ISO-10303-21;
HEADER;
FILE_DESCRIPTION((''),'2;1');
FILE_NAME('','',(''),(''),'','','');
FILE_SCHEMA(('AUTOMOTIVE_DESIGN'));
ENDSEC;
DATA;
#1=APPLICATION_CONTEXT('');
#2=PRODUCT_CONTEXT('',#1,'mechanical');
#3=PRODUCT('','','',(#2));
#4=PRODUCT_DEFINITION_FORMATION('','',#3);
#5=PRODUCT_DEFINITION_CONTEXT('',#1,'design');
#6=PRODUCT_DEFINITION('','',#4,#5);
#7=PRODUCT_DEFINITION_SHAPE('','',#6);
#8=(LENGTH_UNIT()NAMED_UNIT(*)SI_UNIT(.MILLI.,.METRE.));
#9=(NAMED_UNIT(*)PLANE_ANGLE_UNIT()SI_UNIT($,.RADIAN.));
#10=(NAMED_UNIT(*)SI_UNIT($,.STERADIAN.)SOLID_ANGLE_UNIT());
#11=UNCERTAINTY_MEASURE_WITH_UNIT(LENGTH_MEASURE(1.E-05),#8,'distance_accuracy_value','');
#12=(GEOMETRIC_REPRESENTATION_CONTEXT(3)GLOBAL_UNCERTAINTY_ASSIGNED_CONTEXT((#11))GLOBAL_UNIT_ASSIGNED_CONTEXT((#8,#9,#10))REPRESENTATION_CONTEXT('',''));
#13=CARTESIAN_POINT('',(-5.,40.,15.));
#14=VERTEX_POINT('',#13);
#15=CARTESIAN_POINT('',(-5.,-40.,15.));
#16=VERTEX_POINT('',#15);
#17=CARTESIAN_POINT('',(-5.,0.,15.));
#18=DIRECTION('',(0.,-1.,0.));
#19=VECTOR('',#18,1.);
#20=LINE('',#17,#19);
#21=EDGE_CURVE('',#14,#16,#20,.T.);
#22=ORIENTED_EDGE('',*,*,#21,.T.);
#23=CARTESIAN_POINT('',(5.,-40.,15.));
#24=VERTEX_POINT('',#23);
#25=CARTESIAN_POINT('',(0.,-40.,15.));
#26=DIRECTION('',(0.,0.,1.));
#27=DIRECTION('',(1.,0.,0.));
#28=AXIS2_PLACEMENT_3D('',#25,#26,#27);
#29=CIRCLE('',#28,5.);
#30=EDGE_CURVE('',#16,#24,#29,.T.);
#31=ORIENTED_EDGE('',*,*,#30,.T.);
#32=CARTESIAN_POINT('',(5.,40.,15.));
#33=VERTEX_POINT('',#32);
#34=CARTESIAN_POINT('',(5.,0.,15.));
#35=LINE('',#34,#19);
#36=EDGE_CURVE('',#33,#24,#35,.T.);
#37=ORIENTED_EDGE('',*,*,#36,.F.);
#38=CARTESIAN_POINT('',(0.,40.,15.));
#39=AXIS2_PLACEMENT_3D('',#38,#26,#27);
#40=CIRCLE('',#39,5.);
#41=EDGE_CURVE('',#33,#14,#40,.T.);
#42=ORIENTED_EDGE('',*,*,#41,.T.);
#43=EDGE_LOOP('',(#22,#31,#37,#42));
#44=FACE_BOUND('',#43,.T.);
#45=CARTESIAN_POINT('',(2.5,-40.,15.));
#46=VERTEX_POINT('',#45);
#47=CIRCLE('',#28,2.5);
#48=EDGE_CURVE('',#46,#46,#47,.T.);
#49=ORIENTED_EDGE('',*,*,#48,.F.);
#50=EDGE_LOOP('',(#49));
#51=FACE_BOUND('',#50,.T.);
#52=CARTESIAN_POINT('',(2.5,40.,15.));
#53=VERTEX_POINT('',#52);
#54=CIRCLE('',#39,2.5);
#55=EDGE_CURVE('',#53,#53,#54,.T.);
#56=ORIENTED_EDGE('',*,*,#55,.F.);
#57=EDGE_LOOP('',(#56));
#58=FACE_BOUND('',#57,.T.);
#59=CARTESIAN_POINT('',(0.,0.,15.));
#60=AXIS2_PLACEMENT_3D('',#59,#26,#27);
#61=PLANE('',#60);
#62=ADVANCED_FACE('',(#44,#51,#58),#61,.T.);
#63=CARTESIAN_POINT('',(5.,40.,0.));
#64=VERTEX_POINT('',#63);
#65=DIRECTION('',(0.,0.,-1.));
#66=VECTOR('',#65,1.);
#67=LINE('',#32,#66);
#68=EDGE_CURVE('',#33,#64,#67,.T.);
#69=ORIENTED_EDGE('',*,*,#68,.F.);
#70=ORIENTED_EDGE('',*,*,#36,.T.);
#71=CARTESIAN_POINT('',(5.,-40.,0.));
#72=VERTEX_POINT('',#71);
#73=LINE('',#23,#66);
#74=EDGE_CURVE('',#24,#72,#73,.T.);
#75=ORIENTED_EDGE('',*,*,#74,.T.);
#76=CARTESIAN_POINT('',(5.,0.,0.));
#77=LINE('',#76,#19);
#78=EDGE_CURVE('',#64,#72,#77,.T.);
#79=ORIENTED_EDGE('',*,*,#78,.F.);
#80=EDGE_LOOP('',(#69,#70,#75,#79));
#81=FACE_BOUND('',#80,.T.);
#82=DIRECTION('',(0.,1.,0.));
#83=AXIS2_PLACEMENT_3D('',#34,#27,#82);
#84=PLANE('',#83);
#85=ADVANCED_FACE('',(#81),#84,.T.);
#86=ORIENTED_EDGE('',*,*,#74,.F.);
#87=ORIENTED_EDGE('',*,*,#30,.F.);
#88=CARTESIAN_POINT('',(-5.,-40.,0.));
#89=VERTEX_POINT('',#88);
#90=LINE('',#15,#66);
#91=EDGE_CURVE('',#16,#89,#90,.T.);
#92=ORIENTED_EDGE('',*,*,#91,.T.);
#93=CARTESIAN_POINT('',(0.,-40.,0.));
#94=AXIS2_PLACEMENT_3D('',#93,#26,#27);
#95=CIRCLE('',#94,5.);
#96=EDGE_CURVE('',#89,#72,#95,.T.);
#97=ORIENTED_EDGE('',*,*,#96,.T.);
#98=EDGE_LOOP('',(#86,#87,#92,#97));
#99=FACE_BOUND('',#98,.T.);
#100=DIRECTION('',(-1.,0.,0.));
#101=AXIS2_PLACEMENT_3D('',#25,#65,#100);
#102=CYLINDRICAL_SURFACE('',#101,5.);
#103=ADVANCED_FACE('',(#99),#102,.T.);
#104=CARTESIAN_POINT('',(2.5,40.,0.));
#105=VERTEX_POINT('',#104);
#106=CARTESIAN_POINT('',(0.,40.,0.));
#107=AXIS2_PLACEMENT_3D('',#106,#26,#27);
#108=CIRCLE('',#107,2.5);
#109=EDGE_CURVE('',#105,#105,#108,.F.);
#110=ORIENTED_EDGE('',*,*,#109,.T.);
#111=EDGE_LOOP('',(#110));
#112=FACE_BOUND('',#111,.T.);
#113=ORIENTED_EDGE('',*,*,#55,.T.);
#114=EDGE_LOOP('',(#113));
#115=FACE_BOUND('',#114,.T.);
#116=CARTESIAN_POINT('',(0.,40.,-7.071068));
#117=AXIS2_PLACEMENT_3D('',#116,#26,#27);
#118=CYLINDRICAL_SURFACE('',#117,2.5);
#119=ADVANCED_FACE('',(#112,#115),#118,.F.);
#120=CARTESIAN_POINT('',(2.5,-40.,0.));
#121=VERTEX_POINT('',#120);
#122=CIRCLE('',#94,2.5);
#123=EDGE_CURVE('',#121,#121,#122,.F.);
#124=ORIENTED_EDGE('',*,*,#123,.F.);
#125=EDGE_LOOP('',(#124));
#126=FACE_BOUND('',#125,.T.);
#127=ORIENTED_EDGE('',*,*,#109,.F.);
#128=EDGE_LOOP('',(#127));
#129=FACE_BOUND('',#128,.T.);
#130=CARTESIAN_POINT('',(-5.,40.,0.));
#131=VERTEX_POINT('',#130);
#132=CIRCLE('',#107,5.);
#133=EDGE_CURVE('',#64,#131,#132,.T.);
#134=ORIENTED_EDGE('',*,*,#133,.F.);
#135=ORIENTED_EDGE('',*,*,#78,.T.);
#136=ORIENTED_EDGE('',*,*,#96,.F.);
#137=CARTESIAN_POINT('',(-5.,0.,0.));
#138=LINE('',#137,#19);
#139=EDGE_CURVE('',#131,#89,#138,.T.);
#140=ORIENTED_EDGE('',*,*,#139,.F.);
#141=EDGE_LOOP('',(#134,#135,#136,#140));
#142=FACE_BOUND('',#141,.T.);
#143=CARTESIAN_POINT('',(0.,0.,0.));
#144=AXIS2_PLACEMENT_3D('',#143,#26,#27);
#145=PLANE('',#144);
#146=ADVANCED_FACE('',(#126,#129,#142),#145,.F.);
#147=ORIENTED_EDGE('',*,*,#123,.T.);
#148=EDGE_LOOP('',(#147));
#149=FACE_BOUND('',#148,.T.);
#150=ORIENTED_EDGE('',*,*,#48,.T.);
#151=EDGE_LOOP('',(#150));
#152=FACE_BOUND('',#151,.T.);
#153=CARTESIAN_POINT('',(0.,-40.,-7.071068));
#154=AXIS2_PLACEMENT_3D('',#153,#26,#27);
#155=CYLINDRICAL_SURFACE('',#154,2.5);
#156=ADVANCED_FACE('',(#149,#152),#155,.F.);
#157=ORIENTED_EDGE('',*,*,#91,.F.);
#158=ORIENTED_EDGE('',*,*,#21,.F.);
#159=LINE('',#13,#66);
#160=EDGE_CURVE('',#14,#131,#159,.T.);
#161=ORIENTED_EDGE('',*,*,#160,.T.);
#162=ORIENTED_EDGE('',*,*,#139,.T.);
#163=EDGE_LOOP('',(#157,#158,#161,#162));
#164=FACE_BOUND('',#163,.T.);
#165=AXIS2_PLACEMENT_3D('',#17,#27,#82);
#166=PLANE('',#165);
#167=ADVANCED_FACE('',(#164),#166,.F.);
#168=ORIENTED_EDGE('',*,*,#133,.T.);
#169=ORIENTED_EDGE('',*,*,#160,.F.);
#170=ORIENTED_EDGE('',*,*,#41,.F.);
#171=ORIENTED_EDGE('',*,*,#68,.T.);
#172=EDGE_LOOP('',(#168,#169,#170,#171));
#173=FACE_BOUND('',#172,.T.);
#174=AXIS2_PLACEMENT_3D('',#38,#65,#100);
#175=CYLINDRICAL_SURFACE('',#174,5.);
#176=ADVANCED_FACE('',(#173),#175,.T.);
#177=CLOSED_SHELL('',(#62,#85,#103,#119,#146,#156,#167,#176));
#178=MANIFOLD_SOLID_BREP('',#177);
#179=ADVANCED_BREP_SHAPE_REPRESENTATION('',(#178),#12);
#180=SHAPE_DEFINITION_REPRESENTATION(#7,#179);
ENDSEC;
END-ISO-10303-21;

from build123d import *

# Parameters (mm, degrees)
BOSS_EXTRUDE1_DEPTH = 15
SKETCH2_R           = 2.5
CUT_EXTRUDE1_DEPTH  = 15


with BuildPart() as part:
    # Sketch1 → Boss-Extrude1 (new body)
    with BuildSketch(Plane.XY):
        with BuildLine():
            ThreePointArc((5, 40), (0, 35), (-5, 40))
            Line((-5, 40), (-5, -40))
            ThreePointArc((-5, -40), (0, -35), (5, -40))
            Line((5, -40), (5, 40))
        make_face()
        with BuildLine():
            ThreePointArc((5, 40), (0, 45), (-5, 40))
            Line((-5, 40), (5, 40))
        make_face()
        with BuildLine():
            Line((5, 40), (-5, 40))
            ThreePointArc((-5, 40), (0, 35), (5, 40))
        make_face()
        with BuildLine():
            ThreePointArc((5, -40), (0, -35), (-5, -40))
            Line((-5, -40), (5, -40))
        make_face()
        with BuildLine():
            Line((5, -40), (-5, -40))
            ThreePointArc((-5, -40), (0, -45), (5, -40))
        make_face()
    extrude(amount=BOSS_EXTRUDE1_DEPTH)

    # Sketch2 → Cut-Extrude1 (cut)
    with BuildSketch(Plane.XY.offset(15)):
        with Locations((0, 40)):
            Circle(SKETCH2_R)
        with Locations((0, -40)):
            Circle(SKETCH2_R)
    extrude(amount=-CUT_EXTRUDE1_DEPTH, mode=Mode.SUBTRACT)


solid = part.part
